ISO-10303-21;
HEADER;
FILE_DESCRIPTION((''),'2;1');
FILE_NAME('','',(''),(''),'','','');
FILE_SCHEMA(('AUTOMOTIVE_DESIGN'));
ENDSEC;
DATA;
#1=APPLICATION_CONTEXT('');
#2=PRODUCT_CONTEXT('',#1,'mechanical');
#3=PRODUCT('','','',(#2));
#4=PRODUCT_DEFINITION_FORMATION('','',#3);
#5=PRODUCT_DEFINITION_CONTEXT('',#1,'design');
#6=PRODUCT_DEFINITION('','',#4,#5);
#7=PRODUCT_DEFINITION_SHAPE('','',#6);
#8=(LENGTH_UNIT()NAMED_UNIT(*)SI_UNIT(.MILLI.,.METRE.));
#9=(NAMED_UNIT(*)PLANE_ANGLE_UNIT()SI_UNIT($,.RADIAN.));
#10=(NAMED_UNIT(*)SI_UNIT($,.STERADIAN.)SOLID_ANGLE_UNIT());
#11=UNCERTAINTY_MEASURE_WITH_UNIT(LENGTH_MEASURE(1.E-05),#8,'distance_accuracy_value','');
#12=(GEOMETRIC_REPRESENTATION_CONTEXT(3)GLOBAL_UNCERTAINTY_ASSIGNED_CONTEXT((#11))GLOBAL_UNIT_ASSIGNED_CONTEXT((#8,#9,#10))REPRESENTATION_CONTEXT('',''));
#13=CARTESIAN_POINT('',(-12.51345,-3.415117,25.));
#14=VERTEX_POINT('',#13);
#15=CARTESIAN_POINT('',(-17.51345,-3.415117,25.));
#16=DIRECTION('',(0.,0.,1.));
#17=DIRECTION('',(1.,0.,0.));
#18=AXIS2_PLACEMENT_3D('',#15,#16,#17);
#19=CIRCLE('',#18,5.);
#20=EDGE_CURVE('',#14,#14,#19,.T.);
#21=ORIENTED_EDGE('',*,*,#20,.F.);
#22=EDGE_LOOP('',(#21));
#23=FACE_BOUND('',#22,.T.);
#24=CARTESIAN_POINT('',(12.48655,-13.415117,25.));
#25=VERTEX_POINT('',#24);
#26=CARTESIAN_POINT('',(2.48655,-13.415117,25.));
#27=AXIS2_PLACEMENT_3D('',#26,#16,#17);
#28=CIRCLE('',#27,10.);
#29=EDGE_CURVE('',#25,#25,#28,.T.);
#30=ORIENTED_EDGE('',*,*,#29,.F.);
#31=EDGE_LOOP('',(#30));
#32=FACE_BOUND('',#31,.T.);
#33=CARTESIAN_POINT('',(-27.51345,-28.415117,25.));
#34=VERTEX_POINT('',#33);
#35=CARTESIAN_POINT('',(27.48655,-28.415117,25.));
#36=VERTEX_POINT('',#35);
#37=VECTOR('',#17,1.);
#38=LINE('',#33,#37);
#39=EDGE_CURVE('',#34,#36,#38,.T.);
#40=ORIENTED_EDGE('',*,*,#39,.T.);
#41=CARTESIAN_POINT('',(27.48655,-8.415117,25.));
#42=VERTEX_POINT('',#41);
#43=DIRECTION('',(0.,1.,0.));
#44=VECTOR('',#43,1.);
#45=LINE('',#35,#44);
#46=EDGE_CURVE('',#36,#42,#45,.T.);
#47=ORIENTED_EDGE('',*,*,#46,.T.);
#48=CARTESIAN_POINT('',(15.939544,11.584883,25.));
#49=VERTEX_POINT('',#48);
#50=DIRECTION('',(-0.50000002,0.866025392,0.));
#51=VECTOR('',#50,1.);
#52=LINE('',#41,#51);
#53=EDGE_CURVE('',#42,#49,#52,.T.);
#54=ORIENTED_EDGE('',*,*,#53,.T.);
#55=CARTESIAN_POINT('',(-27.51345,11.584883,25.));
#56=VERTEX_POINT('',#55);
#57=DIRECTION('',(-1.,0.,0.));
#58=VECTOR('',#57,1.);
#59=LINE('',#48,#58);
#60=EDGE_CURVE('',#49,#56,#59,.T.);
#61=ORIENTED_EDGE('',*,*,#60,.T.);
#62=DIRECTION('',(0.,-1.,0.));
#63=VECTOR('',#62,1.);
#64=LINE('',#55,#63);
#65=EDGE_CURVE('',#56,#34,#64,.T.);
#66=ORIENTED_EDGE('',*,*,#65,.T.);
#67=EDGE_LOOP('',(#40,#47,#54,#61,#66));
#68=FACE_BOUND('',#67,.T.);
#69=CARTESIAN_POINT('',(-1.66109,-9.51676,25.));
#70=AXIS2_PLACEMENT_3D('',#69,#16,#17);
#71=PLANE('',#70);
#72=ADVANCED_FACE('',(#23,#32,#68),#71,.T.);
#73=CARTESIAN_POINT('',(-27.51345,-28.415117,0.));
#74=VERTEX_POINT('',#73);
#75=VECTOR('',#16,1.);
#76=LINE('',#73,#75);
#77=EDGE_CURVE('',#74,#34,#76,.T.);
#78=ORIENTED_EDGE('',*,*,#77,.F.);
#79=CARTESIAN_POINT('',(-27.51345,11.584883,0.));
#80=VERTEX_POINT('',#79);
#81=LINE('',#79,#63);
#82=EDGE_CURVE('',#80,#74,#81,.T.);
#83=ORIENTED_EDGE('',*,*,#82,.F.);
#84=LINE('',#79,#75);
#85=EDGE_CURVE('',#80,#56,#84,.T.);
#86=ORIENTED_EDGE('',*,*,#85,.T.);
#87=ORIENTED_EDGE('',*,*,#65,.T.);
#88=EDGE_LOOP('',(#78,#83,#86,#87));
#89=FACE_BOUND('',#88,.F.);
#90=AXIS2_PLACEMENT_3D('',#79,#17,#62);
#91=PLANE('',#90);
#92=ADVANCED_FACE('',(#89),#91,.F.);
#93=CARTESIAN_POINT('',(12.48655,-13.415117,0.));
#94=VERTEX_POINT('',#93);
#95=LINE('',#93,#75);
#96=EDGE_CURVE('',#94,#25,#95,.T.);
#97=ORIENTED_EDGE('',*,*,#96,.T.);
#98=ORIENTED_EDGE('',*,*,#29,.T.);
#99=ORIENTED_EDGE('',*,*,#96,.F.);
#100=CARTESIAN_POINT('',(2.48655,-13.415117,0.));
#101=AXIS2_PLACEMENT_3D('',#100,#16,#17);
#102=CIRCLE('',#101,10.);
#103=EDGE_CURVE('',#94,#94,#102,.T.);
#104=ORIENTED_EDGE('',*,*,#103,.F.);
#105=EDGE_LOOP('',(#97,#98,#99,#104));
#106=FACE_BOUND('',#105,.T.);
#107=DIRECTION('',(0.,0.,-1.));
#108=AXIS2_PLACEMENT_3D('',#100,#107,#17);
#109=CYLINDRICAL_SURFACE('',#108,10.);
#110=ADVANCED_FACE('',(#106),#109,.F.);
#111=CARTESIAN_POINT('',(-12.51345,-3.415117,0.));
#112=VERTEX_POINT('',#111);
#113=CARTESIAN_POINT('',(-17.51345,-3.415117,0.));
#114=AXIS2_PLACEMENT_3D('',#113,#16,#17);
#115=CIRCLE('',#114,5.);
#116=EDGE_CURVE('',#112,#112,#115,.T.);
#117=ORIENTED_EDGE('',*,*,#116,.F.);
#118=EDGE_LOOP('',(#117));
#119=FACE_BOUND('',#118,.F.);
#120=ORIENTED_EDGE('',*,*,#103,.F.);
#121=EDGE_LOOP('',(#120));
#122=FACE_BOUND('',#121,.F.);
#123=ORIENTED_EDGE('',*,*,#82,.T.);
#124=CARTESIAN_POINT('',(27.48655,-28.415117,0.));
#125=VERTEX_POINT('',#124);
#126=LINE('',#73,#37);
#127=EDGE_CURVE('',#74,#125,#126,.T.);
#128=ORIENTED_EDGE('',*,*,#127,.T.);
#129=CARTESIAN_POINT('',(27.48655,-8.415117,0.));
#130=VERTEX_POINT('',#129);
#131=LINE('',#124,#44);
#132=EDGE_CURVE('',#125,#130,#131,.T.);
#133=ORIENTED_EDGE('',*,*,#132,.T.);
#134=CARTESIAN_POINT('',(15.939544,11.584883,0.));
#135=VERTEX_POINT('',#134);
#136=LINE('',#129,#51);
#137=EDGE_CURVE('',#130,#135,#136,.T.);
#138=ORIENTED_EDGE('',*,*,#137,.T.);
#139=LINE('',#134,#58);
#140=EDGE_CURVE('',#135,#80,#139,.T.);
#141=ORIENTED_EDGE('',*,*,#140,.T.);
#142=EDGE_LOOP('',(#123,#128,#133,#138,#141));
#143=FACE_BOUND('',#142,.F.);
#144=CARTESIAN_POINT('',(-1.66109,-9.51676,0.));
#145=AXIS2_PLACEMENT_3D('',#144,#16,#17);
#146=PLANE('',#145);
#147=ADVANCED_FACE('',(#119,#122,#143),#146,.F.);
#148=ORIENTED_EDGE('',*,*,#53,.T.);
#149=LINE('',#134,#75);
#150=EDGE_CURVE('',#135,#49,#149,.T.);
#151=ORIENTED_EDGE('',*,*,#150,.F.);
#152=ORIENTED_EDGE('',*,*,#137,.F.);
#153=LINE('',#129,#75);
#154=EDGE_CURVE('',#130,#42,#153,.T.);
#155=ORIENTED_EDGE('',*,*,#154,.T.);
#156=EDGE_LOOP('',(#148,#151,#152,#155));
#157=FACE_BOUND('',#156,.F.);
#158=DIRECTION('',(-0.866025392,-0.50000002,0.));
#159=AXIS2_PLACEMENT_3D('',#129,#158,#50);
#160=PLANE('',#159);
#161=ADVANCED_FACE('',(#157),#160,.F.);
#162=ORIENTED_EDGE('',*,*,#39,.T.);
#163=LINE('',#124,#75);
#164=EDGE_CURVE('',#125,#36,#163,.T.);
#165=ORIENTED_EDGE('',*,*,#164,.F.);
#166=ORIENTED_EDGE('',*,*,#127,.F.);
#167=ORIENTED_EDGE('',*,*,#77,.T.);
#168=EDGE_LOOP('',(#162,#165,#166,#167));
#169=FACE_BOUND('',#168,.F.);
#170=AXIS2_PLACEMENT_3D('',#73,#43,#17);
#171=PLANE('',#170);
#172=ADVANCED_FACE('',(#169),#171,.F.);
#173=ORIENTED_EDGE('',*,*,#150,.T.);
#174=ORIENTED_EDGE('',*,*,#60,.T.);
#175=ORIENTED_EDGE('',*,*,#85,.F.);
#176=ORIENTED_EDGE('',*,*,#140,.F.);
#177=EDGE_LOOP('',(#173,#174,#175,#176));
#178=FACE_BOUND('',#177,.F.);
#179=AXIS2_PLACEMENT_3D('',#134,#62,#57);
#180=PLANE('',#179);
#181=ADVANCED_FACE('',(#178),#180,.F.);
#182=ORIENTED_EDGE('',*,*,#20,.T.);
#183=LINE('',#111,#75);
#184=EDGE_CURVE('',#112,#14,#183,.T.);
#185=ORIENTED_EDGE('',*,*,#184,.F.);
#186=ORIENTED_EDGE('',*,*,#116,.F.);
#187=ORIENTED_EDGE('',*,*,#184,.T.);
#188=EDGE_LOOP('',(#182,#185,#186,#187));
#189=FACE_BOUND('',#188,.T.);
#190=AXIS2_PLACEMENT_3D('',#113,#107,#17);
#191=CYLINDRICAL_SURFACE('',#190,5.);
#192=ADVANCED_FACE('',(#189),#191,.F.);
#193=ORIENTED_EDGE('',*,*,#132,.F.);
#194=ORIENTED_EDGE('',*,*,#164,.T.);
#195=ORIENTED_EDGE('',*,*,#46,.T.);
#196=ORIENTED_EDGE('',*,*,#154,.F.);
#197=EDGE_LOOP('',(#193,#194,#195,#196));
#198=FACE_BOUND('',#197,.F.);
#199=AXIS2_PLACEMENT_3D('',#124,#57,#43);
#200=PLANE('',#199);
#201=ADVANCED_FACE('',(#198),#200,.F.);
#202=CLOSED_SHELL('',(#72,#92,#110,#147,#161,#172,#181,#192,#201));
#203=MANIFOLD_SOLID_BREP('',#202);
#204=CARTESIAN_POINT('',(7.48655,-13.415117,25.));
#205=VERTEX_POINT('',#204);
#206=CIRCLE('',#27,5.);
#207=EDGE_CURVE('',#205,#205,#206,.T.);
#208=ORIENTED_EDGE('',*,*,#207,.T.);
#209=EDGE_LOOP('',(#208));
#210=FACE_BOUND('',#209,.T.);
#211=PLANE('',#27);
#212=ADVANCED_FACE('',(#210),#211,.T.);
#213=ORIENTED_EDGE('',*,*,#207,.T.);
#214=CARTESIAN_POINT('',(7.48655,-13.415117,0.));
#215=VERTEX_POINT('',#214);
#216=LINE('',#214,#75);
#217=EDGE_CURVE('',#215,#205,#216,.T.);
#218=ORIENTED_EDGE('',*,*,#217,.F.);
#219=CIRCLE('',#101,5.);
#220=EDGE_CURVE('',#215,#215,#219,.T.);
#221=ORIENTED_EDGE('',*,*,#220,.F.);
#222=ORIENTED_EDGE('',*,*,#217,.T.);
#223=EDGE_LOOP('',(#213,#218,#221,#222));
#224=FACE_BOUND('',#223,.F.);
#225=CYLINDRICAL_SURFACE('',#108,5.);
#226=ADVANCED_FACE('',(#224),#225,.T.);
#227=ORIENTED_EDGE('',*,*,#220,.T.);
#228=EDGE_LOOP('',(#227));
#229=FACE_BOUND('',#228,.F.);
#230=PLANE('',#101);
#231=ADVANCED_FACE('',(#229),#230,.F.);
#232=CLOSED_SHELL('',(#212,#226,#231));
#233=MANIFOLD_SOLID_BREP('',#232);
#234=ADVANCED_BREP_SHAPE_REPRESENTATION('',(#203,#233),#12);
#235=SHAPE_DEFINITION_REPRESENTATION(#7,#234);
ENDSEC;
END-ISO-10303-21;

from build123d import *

# Parameters (mm, degrees)
F0_R     = 10
F0_R_2   = 5
F1_DEPTH = 25


with BuildPart() as f1:
    # F0 (on Top) → F1 (new body)
    with BuildSketch(Plane.XY):
        Polygon((15.939544, 11.584883), (-27.51345, 11.584883), (-27.51345, -28.415117), (27.48655, -28.415117), (27.48655, -8.415117), align=None)
        with Locations((2.48655, -13.415117)):
            Circle(F0_R, mode=Mode.SUBTRACT)
        with Locations((-17.51345, -3.415117)):
            Circle(F0_R_2, mode=Mode.SUBTRACT)
        with Locations((2.48655, -13.415117)):
            Circle(F0_R_2)
    extrude(amount=F1_DEPTH)


solid = f1.part
